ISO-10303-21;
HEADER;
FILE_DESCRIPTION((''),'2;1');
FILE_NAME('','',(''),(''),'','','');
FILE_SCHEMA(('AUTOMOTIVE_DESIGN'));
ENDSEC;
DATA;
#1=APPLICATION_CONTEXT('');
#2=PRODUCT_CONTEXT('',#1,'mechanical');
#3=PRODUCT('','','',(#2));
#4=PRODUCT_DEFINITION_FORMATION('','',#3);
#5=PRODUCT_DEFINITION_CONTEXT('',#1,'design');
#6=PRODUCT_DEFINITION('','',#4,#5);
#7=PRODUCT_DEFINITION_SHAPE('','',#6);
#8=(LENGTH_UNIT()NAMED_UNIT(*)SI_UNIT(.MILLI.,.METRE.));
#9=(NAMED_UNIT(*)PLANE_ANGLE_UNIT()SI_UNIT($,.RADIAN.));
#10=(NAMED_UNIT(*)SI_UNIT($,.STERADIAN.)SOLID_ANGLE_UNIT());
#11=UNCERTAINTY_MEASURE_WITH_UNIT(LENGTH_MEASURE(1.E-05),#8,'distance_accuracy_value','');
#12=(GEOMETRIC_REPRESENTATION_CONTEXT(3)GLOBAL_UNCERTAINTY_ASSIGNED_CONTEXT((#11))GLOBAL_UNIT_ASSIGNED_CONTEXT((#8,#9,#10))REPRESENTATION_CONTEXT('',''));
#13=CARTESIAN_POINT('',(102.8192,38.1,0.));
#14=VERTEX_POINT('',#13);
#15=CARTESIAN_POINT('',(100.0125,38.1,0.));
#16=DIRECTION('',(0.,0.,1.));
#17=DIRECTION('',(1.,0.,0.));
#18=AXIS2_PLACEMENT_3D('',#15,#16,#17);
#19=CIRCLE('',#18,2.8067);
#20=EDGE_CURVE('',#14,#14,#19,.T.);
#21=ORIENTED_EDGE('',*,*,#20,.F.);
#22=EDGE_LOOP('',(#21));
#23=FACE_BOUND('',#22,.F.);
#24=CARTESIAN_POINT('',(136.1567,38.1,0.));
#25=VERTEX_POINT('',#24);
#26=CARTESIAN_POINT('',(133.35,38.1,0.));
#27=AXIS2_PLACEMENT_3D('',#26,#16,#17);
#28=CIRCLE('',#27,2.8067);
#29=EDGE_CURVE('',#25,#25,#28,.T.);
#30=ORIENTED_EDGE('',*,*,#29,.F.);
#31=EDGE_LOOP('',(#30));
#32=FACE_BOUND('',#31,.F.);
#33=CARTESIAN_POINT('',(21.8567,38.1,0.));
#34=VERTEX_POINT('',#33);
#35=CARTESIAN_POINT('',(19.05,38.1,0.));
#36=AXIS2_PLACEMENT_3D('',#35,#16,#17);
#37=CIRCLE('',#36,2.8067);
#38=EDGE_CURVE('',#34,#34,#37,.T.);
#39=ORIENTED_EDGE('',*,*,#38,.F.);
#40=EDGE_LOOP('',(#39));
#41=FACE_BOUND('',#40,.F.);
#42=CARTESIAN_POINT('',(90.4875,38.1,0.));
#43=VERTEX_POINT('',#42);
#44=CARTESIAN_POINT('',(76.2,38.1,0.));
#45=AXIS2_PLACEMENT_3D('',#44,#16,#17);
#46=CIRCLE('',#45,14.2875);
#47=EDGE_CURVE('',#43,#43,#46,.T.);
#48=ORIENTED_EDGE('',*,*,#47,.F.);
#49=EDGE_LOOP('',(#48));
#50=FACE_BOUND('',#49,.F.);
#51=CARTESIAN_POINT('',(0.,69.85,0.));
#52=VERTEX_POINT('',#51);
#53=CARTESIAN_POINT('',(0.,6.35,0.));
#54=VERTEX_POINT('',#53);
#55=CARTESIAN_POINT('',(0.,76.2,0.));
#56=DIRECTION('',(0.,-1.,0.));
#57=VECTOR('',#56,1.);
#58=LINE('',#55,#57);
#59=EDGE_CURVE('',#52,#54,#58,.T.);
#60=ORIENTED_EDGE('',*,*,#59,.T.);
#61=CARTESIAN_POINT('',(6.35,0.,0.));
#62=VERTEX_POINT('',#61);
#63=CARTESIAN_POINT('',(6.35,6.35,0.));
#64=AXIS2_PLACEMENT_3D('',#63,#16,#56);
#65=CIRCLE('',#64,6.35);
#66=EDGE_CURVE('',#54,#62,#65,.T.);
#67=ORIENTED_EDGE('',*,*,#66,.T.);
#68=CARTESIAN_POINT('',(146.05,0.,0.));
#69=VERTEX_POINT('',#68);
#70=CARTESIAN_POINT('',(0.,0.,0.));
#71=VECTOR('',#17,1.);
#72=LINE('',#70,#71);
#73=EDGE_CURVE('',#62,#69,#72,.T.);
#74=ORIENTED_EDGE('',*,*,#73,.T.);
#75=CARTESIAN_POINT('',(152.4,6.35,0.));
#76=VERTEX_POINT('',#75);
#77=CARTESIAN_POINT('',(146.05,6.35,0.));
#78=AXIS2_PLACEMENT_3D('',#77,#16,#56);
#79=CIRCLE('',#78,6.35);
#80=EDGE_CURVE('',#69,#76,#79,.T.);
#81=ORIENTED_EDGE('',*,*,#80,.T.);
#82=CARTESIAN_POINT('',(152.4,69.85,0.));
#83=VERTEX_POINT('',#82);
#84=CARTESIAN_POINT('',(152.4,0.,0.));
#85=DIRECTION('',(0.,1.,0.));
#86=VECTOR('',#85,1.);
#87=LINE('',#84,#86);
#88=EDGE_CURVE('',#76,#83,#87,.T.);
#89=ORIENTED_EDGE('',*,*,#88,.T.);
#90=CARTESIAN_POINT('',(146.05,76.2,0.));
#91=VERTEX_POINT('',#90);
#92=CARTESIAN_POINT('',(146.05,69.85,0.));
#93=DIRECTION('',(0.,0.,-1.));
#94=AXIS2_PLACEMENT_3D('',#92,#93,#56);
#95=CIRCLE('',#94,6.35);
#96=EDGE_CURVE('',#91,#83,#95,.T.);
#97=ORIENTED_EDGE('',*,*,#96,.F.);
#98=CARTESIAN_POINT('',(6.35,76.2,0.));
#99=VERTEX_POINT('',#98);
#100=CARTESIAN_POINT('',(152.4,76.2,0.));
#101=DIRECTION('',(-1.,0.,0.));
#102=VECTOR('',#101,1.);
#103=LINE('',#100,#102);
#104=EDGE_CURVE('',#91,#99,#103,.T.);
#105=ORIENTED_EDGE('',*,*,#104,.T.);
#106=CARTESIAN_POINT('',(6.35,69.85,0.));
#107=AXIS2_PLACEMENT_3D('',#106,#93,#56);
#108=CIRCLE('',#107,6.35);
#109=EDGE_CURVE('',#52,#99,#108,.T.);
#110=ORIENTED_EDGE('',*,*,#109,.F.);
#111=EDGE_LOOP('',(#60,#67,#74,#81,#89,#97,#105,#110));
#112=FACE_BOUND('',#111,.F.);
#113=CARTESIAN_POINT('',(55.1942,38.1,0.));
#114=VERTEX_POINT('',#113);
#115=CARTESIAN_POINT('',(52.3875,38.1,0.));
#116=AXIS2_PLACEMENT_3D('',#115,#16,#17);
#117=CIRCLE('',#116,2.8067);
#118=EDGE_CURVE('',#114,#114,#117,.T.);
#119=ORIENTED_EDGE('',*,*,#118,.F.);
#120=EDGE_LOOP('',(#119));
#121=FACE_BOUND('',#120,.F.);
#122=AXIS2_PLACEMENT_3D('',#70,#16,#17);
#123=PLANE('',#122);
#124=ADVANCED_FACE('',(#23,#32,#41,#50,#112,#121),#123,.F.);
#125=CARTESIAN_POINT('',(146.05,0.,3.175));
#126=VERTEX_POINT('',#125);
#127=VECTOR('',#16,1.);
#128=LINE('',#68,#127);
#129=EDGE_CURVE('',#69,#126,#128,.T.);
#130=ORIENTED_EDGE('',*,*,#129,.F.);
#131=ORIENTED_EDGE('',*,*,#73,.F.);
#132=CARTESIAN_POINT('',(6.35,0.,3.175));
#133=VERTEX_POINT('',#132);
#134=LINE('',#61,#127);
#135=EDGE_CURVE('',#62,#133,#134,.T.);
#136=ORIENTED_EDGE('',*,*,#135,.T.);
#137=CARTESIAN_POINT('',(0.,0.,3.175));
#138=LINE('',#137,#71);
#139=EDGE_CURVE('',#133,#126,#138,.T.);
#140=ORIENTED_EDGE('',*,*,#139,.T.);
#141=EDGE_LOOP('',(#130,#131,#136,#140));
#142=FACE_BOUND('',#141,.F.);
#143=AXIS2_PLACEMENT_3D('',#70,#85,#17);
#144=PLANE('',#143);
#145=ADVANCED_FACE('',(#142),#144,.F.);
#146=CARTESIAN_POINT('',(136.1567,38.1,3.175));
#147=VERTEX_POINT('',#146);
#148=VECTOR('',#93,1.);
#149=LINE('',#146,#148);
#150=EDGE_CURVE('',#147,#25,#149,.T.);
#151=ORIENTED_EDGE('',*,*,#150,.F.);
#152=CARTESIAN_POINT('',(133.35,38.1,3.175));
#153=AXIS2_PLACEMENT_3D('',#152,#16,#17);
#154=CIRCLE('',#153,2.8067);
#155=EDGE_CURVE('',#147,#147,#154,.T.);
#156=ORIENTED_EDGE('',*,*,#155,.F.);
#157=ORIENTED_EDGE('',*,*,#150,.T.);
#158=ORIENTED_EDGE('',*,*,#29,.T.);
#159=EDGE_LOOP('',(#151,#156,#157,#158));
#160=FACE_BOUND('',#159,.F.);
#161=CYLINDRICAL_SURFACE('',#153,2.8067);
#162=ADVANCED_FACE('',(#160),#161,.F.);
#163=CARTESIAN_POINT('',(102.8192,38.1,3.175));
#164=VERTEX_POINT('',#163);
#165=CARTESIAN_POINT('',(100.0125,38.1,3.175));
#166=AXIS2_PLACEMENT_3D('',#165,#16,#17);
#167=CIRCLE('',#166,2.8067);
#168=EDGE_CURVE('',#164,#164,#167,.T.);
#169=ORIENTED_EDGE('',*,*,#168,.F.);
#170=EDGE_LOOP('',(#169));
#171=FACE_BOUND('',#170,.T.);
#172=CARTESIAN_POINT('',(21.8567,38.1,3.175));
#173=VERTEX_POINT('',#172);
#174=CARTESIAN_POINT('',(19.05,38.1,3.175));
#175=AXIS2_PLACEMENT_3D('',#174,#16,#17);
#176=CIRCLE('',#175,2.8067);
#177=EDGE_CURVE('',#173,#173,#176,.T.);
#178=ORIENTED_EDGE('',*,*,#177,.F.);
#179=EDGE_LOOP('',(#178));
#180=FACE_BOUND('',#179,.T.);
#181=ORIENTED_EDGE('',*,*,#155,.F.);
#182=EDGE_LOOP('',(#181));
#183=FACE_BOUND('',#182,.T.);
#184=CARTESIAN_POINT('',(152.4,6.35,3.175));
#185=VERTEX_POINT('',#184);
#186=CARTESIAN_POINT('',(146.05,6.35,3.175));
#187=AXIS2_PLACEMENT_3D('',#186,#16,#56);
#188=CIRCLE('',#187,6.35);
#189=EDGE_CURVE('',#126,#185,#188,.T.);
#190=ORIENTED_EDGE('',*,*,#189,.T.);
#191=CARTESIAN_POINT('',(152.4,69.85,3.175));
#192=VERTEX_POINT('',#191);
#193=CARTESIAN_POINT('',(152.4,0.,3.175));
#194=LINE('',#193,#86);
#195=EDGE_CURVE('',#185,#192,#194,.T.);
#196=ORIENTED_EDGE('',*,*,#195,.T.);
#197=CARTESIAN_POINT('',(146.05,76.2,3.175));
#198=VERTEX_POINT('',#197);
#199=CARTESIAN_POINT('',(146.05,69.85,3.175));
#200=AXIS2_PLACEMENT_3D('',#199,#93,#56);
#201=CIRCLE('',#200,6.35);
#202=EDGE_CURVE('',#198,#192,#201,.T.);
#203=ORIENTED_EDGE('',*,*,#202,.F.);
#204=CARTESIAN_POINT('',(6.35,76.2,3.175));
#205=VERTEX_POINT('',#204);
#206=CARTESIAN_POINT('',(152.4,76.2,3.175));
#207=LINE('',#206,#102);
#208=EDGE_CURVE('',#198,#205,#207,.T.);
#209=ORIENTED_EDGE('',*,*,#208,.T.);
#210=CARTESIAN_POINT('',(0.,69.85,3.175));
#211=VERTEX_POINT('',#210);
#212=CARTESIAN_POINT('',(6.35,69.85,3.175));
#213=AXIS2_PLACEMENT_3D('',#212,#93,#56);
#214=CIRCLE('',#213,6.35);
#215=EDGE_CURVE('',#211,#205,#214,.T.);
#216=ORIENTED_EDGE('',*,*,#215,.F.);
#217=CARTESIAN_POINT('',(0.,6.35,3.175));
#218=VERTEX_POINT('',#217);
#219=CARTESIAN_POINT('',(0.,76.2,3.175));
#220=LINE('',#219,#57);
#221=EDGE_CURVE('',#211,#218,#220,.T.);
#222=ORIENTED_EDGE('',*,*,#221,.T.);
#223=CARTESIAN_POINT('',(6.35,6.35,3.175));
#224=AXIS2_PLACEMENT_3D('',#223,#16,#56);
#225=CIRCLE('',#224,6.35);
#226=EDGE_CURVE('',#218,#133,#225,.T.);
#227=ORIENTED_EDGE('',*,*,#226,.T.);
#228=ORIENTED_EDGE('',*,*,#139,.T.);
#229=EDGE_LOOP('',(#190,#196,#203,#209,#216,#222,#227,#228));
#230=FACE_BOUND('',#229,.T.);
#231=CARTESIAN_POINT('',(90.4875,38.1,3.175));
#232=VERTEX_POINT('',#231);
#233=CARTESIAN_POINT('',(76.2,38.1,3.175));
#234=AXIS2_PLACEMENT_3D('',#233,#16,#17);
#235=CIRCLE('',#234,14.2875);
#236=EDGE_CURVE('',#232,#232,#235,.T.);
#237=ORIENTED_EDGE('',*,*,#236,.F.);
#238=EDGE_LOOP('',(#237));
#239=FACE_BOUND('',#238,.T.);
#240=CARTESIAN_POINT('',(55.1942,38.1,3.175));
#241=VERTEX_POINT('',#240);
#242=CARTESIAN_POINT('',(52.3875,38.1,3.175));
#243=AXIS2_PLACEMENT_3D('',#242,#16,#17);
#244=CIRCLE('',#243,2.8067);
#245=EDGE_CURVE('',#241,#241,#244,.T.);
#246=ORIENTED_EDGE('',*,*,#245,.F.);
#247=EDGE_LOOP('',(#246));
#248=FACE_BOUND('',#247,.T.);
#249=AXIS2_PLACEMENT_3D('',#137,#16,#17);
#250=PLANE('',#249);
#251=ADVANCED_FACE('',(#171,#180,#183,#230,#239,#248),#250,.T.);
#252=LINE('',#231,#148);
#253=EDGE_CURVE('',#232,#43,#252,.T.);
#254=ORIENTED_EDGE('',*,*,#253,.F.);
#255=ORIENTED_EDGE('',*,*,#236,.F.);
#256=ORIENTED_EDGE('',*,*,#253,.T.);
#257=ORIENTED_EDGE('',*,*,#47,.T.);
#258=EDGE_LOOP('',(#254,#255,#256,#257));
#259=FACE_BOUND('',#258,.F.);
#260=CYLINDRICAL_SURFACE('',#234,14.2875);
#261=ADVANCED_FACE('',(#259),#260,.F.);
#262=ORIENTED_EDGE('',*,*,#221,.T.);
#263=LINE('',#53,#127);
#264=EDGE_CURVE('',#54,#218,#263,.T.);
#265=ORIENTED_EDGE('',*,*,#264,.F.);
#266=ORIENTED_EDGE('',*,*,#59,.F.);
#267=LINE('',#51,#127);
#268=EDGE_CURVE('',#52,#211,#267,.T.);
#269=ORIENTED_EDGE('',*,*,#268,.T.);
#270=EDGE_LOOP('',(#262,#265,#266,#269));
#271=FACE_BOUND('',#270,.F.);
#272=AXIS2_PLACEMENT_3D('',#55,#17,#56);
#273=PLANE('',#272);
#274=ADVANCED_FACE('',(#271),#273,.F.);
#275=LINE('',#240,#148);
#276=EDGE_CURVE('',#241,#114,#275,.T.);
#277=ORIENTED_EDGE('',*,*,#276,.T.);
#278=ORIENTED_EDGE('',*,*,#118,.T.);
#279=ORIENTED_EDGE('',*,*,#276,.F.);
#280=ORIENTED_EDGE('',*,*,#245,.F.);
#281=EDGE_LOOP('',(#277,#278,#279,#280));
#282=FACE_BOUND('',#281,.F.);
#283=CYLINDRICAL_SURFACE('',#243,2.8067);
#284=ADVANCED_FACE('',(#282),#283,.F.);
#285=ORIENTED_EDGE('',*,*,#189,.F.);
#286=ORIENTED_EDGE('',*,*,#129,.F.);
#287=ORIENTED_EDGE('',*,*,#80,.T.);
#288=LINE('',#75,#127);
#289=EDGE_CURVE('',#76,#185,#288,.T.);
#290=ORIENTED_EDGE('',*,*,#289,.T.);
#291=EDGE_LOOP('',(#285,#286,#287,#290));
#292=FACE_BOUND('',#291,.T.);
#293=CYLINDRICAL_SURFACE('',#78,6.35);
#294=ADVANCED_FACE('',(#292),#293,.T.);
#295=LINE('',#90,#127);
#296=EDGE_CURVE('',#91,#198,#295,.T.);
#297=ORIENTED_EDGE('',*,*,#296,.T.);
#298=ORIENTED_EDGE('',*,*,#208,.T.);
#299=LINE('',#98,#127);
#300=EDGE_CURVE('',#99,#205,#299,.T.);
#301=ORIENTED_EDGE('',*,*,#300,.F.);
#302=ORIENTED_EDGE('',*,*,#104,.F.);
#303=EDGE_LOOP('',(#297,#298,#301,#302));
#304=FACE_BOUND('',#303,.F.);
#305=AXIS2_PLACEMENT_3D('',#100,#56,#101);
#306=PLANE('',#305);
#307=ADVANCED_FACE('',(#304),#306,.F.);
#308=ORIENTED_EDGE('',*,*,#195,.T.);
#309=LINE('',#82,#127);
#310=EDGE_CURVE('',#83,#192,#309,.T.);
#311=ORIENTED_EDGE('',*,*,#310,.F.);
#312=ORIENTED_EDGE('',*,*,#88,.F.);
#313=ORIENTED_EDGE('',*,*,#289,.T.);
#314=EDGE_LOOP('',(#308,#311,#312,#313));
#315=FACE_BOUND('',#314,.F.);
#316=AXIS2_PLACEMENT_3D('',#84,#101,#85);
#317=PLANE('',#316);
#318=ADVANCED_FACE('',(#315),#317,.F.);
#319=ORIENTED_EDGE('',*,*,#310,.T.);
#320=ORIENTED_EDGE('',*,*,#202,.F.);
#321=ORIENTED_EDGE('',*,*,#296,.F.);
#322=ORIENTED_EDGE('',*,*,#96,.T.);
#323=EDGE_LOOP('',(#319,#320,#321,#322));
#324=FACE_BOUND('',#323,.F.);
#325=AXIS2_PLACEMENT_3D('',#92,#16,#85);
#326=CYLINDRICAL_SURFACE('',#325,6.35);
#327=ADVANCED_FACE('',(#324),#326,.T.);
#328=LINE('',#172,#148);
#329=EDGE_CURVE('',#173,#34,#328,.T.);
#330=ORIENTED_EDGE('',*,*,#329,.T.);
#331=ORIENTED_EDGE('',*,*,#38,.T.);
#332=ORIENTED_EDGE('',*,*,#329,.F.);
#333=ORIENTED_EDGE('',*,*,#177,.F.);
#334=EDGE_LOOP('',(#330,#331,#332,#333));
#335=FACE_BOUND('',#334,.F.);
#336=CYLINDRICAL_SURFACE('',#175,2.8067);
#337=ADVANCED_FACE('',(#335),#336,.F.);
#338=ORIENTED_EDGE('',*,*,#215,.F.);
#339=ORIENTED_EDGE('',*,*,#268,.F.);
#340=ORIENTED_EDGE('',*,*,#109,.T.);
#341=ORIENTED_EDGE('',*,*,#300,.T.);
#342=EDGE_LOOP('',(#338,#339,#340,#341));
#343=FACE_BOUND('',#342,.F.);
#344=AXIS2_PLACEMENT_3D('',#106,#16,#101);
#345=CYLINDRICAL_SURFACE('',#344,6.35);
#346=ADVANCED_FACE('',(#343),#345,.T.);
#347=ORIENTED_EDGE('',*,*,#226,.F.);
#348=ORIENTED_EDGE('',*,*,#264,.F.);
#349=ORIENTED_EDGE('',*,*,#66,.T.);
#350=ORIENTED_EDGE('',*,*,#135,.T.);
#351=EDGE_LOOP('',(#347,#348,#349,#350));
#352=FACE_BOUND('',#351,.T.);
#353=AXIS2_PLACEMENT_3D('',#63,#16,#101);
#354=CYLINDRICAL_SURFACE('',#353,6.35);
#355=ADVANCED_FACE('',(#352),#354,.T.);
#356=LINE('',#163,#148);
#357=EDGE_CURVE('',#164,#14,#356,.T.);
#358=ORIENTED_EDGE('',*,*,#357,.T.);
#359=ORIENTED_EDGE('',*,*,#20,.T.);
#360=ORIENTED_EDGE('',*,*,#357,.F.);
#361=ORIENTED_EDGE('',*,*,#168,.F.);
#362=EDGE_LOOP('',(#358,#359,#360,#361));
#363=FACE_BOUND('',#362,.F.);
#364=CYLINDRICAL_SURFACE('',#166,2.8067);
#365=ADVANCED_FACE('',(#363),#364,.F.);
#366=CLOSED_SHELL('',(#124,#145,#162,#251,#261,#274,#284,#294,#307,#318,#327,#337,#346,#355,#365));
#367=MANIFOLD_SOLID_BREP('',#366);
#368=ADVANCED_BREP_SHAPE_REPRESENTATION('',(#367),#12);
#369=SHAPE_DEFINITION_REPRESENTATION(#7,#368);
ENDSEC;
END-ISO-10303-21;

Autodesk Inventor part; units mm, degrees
ref_plane "YZ Plane" through (0, 0, 0) normal (1, 0, 0) x (0, 1, 0)
ref_plane "XZ Plane" through (0, 0, 0) normal (0, 1, 0) x (-1, 0, 0)
ref_plane "XY Plane" through (0, 0, 0) normal (0, 0, 1) x (1, 0, 0)
sketch "Sketch1" plane through (0, 0, 0) normal (0, 0, 1) x (1, 0, 0)
  line L0 (0, 0) -> (152.4, 0)
  line L1 (152.4, 0) -> (152.4, 76.2)
  line L2 (152.4, 76.2) -> (0, 76.2)
  line L3 (0, 76.2) -> (0, 0)
  dimension "d0" = 152.4
  dimension "d1" = 76.2
extrude "Extrusion1" add sketch "Sketch1" along normal blind 3.175
sketch "Sketch2" plane through (0, 0, 3.175) normal (0, 0, 1) x (1, 0, 0)
  circle A0 centre (76.2, 38.1) radius 14.2875
  line L0 (152.4, 76.2) -> (0, 76.2) projected
  line L1 (0, 76.2) -> (0, 0) projected
  circle A1 centre (52.3875, 38.1) radius 2.8067
  circle A2 centre (100.0125, 38.1) radius 2.8067
  circle A3 centre (19.05, 38.1) radius 2.8067
  circle A4 centre (133.35, 38.1) radius 2.8067
  dimension "d4" = 28.575
  dimension "d5" = 38.1
  dimension "d6" = 76.2
  dimension "d8" = 5.6134
  dimension "d9" = 5.6134
  dimension "d11" = 5.6134
  dimension "d12" = 5.6134
extrude "Extrusion2" cut sketch "Sketch2" against normal blind 3.175
fillet "Fillet1" radius 6.35 4 edges at (152.4, 76.2, 1.5875) (152.4, 0, 1.5875) (0, 76.2, 1.5875) (0, 0, 1.5875)
properties part number "GearboxPlate" material "Aluminum 6061"
